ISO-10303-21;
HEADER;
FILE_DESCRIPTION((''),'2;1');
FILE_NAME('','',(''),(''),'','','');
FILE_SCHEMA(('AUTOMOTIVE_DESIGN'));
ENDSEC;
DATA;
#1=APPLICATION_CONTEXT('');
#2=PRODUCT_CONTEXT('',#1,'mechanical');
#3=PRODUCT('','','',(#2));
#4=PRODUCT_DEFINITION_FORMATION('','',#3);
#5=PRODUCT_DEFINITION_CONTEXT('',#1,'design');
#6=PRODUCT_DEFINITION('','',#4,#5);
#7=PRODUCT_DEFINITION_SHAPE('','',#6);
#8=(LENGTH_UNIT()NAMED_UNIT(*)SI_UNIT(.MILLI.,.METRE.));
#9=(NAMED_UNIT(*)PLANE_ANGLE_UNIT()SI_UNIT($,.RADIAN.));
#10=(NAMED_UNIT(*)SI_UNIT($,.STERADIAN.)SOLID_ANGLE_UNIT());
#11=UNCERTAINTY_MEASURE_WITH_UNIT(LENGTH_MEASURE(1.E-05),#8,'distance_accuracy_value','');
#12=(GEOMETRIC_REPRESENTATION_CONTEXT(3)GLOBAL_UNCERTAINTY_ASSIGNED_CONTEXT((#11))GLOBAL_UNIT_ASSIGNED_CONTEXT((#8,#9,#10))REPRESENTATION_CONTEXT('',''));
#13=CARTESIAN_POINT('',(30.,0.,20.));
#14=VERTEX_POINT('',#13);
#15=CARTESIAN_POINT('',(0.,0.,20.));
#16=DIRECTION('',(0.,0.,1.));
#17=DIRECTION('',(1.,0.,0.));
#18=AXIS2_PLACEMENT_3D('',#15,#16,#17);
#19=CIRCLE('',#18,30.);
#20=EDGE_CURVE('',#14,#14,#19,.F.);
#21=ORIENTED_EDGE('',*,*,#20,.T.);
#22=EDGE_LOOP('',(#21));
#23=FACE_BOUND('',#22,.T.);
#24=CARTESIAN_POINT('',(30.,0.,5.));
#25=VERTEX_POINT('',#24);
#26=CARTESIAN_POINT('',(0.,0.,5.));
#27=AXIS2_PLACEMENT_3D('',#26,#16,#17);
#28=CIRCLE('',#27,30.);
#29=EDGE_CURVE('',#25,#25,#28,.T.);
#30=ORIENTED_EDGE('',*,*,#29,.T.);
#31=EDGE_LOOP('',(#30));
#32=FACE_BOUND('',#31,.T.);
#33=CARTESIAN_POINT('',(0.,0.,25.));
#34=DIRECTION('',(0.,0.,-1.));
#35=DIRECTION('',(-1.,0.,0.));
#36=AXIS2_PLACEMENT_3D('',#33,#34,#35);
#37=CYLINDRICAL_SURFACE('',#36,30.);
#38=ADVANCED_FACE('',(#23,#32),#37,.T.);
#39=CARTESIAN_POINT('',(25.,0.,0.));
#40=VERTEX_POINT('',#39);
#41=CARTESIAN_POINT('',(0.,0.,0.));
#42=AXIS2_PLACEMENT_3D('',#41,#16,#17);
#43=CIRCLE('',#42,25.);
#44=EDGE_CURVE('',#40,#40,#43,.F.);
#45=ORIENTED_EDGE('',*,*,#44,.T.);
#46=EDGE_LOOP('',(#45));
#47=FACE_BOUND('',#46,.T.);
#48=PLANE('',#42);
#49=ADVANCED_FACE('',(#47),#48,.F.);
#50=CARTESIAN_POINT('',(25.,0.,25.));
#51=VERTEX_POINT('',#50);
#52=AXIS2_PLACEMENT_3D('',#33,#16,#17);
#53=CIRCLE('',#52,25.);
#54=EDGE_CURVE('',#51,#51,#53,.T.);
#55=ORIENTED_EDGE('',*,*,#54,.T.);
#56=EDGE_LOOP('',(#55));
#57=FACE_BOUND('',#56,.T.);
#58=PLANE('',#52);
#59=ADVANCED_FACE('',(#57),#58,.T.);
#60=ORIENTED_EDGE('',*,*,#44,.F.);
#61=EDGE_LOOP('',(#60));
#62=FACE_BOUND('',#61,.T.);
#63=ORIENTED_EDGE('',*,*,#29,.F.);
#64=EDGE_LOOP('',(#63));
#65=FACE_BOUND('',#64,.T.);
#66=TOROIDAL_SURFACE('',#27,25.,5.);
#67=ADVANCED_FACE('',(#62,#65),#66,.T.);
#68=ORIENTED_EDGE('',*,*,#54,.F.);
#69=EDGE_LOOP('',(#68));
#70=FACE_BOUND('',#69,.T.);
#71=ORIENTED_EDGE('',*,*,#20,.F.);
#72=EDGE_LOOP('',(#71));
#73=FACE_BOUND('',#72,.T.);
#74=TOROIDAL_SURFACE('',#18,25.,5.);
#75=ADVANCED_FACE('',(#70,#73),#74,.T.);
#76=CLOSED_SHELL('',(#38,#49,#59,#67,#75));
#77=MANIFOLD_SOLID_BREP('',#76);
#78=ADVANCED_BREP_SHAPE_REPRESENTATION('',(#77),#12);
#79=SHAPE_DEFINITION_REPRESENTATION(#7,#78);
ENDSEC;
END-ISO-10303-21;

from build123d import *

# Parameters (mm, degrees)
SKETCH1_R           = 30
BOSS_EXTRUDE1_DEPTH = 25
FILLET1_R           = 5


with BuildPart() as part:
    # Sketch1 → Boss-Extrude1 (new body)
    with BuildSketch(Plane.XY):
        Circle(SKETCH1_R)
    extrude(amount=BOSS_EXTRUDE1_DEPTH)

    # Fillet1
    fillet1_edges = [part.edges().sort_by_distance(p)[0] for p in [
        (-30, 0, 0),
        (-30, 0, 25),
    ]]
    fillet(fillet1_edges, radius=FILLET1_R)


solid = part.part
